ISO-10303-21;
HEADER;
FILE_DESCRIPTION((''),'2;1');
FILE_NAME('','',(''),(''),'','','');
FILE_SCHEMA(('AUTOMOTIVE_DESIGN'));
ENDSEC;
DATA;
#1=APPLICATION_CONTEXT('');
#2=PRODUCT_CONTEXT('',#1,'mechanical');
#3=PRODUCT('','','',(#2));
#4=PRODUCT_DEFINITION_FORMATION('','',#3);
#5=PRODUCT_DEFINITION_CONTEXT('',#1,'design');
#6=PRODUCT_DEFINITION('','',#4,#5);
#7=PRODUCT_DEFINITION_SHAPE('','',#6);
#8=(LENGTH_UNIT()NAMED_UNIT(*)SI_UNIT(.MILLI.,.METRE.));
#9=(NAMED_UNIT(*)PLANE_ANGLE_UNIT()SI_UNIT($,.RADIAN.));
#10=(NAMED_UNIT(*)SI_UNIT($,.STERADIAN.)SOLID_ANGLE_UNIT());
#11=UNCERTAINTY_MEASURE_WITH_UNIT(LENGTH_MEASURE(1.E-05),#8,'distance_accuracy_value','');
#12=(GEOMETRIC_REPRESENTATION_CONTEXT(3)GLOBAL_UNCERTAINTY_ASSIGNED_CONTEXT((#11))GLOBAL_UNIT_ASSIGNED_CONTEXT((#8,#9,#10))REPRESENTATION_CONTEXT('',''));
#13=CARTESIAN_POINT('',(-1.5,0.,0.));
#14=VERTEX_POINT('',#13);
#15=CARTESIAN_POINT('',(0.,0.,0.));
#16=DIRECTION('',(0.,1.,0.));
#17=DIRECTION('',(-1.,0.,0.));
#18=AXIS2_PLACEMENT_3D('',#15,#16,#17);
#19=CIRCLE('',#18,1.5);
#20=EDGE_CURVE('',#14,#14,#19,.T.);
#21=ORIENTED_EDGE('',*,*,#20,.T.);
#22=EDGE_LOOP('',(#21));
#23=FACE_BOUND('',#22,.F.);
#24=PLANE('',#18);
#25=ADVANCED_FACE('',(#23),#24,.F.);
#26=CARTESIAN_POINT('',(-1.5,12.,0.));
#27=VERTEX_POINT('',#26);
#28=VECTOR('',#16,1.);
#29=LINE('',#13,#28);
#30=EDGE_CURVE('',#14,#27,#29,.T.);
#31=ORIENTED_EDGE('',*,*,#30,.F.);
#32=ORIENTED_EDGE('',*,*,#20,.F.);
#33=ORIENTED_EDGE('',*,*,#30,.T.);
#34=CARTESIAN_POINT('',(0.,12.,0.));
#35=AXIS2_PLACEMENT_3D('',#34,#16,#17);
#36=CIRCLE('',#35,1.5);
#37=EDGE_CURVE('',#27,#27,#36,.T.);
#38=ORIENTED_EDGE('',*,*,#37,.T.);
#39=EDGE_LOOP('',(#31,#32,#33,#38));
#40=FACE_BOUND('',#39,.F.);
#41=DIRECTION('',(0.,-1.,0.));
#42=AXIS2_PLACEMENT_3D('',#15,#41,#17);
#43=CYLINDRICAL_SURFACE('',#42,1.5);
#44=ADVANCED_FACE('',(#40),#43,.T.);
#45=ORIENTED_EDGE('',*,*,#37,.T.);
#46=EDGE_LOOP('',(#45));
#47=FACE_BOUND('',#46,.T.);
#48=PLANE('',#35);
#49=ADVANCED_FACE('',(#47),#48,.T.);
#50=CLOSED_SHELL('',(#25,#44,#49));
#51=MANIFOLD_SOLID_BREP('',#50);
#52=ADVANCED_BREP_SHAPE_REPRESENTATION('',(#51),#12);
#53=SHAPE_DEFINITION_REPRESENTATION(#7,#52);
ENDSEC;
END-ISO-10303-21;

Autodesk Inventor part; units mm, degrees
ref_plane "YZ Plane" through (0, 0, 0) normal (1, 0, 0) x (0, 1, 0)
ref_plane "XZ Plane" through (0, 0, 0) normal (0, 1, 0) x (-1, 0, 0)
ref_plane "XY Plane" through (0, 0, 0) normal (0, 0, 1) x (1, 0, 0)
sketch "Sketch1" plane through (0, 0, 0) normal (0, 1, 0) x (-1, 0, 0)
  circle A0 centre (0, 0) radius 1.5
  dimension "d0" = 3
extrude "Extrusion1" add sketch "Sketch1" along normal blind 12
properties part number "pin_3_12"
